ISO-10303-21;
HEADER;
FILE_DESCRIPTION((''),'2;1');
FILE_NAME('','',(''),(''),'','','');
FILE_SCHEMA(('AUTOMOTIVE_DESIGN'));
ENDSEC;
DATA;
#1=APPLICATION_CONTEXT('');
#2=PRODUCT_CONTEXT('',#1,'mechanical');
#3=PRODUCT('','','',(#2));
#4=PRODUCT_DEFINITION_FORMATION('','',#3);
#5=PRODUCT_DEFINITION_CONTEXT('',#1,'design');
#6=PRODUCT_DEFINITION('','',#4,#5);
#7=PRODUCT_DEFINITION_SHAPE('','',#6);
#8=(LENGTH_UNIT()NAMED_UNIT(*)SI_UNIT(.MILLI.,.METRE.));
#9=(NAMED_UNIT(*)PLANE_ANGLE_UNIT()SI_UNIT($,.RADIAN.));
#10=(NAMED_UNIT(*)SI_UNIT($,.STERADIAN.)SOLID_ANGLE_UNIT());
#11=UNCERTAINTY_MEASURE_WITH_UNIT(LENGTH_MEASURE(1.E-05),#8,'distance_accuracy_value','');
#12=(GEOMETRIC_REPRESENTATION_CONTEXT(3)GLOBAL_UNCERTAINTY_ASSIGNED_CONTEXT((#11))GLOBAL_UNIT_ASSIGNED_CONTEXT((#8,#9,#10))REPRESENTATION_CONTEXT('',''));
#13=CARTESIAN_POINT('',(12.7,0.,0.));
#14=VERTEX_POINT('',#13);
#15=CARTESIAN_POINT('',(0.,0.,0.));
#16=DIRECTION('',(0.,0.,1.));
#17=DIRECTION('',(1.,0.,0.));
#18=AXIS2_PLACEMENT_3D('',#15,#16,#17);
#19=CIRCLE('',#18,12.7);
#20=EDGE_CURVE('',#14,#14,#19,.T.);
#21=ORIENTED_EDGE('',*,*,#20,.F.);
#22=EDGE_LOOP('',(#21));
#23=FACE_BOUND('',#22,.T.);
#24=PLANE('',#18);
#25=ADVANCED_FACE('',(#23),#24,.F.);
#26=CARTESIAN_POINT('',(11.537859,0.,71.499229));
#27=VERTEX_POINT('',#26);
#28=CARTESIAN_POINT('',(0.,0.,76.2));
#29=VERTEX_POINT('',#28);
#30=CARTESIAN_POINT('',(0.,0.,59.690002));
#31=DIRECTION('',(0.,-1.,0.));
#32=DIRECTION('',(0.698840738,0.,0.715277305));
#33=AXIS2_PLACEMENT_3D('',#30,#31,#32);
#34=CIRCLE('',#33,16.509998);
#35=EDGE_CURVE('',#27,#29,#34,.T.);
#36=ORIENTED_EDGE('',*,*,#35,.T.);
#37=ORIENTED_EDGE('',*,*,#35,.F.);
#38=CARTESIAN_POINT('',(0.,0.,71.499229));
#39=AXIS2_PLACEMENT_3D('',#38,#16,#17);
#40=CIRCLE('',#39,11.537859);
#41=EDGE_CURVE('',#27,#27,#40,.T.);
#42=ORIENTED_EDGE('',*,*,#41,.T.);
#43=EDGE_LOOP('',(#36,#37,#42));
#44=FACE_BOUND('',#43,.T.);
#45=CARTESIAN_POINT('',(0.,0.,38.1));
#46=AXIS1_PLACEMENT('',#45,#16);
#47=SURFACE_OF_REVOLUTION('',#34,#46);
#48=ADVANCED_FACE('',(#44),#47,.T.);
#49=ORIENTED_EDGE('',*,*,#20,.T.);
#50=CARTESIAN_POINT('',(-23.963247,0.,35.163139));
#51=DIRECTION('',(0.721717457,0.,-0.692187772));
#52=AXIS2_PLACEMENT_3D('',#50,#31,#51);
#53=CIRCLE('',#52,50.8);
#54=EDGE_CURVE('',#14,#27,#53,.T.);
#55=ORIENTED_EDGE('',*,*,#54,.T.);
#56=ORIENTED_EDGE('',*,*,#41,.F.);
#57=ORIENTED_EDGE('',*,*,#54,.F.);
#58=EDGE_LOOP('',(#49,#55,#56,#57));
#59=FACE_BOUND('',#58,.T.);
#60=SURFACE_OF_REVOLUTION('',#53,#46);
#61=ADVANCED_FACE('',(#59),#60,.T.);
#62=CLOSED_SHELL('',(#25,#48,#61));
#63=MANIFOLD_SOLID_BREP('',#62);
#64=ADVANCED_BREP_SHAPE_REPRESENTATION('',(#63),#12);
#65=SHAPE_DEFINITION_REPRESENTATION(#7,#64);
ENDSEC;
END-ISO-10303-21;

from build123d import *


with BuildPart() as f1:
    # F0 (on Front) → F1 (revolve)
    with BuildSketch(Plane.XZ):
        with BuildLine():
            Line((0, 43.18), (0, 0))
            Line((0, 0), (12.7, 0))
            ThreePointArc((12.7, 0), (26.830044, 35.988727), (11.537859, 71.499229))
            ThreePointArc((11.537859, 71.499229), (15.216277, 66.096639), (16.51, 59.69))
            ThreePointArc((16.51, 59.69), (11.674333, 48.015667), (0, 43.18))
        make_face()
        with BuildLine():
            Line((0, 76.2), (0, 43.18))
            ThreePointArc((0, 43.18), (11.674333, 48.015667), (16.51, 59.69))
            ThreePointArc((16.51, 59.69), (15.216277, 66.096639), (11.537859, 71.499229))
            ThreePointArc((11.537859, 71.499229), (6.229355, 74.97971), (0, 76.2))
        make_face()
    revolve(axis=Axis((0, 0, 38.1), (0, 0, 1)))


solid = f1.part
